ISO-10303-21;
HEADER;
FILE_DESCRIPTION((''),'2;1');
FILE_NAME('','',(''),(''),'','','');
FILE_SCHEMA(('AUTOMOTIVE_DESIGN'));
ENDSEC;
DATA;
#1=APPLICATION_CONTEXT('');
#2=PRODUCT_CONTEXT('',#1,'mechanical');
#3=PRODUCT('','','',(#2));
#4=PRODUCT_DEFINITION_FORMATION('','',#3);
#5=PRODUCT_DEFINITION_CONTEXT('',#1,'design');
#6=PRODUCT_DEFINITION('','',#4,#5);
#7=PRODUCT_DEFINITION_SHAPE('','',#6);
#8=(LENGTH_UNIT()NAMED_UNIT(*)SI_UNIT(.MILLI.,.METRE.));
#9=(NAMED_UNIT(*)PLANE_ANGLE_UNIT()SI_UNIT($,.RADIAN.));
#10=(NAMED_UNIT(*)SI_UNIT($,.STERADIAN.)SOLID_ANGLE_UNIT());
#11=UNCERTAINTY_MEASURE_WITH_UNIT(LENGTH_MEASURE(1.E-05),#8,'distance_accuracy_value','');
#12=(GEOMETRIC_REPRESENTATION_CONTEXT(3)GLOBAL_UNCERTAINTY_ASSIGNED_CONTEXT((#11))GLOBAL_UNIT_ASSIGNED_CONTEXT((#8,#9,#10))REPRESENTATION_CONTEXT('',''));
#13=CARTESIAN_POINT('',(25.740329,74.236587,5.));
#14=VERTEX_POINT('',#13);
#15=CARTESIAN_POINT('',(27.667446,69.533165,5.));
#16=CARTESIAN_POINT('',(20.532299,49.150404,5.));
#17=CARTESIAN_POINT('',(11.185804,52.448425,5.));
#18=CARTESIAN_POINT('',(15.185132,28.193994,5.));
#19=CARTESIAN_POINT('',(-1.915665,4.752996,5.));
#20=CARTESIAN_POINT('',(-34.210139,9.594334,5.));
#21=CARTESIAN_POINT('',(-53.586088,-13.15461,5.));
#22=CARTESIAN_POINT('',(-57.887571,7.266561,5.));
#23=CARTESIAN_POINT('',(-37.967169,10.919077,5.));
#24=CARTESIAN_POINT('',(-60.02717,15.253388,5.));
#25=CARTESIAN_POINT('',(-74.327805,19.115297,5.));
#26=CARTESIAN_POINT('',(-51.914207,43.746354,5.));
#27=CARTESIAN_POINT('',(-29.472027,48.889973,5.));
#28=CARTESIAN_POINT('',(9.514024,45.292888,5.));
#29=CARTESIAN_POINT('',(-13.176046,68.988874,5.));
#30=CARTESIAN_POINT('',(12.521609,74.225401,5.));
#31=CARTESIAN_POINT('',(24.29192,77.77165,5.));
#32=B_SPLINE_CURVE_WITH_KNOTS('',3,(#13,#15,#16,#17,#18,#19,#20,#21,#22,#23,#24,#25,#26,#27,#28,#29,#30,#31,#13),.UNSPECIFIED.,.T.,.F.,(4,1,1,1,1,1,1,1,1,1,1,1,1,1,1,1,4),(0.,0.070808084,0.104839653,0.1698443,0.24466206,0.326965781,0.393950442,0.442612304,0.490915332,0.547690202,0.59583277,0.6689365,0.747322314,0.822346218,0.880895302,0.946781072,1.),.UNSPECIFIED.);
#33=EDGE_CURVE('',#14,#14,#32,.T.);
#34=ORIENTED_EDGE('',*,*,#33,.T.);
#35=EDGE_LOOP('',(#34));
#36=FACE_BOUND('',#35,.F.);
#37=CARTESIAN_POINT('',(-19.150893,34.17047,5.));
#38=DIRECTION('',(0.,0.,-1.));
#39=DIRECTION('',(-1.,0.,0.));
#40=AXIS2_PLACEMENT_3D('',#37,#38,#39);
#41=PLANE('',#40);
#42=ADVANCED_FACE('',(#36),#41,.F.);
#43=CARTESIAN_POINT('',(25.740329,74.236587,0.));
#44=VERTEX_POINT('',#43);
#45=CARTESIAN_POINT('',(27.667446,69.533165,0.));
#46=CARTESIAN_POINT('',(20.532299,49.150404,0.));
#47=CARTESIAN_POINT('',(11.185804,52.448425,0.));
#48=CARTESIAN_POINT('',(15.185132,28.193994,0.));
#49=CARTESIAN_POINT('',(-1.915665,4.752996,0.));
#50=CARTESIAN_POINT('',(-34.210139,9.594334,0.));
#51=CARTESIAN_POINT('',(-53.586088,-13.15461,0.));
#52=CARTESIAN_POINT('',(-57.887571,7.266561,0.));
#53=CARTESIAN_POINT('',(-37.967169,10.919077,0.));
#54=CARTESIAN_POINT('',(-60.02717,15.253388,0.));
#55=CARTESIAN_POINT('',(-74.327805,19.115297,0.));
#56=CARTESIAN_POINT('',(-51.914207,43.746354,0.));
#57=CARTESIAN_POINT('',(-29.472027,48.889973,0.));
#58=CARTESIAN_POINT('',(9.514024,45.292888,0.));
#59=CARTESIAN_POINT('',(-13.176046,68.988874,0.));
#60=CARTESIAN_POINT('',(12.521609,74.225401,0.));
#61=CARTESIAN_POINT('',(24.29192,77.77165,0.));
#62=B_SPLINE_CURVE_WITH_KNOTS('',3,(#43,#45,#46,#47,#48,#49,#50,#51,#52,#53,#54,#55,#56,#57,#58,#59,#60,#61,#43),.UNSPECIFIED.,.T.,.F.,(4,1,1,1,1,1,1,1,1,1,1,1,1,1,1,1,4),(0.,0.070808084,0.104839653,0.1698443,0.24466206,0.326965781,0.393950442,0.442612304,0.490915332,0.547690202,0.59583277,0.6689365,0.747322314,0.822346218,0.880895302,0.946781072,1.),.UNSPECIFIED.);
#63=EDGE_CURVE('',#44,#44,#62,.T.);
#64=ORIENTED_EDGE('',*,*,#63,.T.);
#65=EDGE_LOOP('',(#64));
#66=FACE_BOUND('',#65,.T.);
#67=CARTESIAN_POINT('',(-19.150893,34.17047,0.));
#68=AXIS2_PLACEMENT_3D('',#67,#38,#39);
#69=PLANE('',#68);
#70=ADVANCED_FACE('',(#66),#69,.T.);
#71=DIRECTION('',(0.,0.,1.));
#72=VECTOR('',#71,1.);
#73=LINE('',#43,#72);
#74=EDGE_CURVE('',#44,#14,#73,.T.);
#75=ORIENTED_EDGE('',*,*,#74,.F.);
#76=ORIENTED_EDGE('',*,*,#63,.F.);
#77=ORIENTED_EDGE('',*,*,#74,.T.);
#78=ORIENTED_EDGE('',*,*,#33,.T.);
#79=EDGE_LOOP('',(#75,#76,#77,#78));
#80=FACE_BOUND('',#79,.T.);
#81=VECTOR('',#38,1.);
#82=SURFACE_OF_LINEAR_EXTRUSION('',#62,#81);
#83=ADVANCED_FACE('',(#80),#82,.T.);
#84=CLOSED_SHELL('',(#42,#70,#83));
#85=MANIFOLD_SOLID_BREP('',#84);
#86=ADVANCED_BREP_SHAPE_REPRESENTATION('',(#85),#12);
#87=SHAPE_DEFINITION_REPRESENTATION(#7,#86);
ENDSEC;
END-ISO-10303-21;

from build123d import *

# Parameters (mm, degrees)
F1_DEPTH = 5


with BuildPart() as f1:
    # F0 (on Top) → F1 (new body)
    with BuildSketch(Plane.XY):
        with BuildLine():
            add(Edge.make_bspline(
                [(25.7403291762, 74.2365866899), (27.6674457199, 69.5331649315), (20.5322994551, 49.1504043663), (11.185803554, 52.448424554), (15.1851320191, 28.193994292), (-1.9156647985, 4.7529955151), (-34.210138506, 9.5943335536), (-53.5860880501, -13.1546095287), (-57.8875714525, 7.2665614476), (-37.9671690819, 10.9190770213), (-60.0271695885, 15.2533875137), (-74.327804812, 19.1152973188), (-51.9142065726, 43.7463540301), (-29.4720270249, 48.8899734849), (9.5140238661, 45.2928878986), (-13.176046301, 68.9888743178), (12.5216086197, 74.2254010351), (24.2919200307, 77.7716500529), (25.7403291762, 74.2365866899)],
                knots=[0, 0, 0, 0, 0.0708080839, 0.104839653, 0.1698442997, 0.2446620602, 0.3269657814, 0.3939504421, 0.4426123042, 0.4909153323, 0.5476902022, 0.5958327698, 0.6689365001, 0.7473223138, 0.8223462183, 0.880895302, 0.9467810722, 1, 1, 1, 1], degree=3))
        make_face()
    extrude(amount=F1_DEPTH)


solid = f1.part
